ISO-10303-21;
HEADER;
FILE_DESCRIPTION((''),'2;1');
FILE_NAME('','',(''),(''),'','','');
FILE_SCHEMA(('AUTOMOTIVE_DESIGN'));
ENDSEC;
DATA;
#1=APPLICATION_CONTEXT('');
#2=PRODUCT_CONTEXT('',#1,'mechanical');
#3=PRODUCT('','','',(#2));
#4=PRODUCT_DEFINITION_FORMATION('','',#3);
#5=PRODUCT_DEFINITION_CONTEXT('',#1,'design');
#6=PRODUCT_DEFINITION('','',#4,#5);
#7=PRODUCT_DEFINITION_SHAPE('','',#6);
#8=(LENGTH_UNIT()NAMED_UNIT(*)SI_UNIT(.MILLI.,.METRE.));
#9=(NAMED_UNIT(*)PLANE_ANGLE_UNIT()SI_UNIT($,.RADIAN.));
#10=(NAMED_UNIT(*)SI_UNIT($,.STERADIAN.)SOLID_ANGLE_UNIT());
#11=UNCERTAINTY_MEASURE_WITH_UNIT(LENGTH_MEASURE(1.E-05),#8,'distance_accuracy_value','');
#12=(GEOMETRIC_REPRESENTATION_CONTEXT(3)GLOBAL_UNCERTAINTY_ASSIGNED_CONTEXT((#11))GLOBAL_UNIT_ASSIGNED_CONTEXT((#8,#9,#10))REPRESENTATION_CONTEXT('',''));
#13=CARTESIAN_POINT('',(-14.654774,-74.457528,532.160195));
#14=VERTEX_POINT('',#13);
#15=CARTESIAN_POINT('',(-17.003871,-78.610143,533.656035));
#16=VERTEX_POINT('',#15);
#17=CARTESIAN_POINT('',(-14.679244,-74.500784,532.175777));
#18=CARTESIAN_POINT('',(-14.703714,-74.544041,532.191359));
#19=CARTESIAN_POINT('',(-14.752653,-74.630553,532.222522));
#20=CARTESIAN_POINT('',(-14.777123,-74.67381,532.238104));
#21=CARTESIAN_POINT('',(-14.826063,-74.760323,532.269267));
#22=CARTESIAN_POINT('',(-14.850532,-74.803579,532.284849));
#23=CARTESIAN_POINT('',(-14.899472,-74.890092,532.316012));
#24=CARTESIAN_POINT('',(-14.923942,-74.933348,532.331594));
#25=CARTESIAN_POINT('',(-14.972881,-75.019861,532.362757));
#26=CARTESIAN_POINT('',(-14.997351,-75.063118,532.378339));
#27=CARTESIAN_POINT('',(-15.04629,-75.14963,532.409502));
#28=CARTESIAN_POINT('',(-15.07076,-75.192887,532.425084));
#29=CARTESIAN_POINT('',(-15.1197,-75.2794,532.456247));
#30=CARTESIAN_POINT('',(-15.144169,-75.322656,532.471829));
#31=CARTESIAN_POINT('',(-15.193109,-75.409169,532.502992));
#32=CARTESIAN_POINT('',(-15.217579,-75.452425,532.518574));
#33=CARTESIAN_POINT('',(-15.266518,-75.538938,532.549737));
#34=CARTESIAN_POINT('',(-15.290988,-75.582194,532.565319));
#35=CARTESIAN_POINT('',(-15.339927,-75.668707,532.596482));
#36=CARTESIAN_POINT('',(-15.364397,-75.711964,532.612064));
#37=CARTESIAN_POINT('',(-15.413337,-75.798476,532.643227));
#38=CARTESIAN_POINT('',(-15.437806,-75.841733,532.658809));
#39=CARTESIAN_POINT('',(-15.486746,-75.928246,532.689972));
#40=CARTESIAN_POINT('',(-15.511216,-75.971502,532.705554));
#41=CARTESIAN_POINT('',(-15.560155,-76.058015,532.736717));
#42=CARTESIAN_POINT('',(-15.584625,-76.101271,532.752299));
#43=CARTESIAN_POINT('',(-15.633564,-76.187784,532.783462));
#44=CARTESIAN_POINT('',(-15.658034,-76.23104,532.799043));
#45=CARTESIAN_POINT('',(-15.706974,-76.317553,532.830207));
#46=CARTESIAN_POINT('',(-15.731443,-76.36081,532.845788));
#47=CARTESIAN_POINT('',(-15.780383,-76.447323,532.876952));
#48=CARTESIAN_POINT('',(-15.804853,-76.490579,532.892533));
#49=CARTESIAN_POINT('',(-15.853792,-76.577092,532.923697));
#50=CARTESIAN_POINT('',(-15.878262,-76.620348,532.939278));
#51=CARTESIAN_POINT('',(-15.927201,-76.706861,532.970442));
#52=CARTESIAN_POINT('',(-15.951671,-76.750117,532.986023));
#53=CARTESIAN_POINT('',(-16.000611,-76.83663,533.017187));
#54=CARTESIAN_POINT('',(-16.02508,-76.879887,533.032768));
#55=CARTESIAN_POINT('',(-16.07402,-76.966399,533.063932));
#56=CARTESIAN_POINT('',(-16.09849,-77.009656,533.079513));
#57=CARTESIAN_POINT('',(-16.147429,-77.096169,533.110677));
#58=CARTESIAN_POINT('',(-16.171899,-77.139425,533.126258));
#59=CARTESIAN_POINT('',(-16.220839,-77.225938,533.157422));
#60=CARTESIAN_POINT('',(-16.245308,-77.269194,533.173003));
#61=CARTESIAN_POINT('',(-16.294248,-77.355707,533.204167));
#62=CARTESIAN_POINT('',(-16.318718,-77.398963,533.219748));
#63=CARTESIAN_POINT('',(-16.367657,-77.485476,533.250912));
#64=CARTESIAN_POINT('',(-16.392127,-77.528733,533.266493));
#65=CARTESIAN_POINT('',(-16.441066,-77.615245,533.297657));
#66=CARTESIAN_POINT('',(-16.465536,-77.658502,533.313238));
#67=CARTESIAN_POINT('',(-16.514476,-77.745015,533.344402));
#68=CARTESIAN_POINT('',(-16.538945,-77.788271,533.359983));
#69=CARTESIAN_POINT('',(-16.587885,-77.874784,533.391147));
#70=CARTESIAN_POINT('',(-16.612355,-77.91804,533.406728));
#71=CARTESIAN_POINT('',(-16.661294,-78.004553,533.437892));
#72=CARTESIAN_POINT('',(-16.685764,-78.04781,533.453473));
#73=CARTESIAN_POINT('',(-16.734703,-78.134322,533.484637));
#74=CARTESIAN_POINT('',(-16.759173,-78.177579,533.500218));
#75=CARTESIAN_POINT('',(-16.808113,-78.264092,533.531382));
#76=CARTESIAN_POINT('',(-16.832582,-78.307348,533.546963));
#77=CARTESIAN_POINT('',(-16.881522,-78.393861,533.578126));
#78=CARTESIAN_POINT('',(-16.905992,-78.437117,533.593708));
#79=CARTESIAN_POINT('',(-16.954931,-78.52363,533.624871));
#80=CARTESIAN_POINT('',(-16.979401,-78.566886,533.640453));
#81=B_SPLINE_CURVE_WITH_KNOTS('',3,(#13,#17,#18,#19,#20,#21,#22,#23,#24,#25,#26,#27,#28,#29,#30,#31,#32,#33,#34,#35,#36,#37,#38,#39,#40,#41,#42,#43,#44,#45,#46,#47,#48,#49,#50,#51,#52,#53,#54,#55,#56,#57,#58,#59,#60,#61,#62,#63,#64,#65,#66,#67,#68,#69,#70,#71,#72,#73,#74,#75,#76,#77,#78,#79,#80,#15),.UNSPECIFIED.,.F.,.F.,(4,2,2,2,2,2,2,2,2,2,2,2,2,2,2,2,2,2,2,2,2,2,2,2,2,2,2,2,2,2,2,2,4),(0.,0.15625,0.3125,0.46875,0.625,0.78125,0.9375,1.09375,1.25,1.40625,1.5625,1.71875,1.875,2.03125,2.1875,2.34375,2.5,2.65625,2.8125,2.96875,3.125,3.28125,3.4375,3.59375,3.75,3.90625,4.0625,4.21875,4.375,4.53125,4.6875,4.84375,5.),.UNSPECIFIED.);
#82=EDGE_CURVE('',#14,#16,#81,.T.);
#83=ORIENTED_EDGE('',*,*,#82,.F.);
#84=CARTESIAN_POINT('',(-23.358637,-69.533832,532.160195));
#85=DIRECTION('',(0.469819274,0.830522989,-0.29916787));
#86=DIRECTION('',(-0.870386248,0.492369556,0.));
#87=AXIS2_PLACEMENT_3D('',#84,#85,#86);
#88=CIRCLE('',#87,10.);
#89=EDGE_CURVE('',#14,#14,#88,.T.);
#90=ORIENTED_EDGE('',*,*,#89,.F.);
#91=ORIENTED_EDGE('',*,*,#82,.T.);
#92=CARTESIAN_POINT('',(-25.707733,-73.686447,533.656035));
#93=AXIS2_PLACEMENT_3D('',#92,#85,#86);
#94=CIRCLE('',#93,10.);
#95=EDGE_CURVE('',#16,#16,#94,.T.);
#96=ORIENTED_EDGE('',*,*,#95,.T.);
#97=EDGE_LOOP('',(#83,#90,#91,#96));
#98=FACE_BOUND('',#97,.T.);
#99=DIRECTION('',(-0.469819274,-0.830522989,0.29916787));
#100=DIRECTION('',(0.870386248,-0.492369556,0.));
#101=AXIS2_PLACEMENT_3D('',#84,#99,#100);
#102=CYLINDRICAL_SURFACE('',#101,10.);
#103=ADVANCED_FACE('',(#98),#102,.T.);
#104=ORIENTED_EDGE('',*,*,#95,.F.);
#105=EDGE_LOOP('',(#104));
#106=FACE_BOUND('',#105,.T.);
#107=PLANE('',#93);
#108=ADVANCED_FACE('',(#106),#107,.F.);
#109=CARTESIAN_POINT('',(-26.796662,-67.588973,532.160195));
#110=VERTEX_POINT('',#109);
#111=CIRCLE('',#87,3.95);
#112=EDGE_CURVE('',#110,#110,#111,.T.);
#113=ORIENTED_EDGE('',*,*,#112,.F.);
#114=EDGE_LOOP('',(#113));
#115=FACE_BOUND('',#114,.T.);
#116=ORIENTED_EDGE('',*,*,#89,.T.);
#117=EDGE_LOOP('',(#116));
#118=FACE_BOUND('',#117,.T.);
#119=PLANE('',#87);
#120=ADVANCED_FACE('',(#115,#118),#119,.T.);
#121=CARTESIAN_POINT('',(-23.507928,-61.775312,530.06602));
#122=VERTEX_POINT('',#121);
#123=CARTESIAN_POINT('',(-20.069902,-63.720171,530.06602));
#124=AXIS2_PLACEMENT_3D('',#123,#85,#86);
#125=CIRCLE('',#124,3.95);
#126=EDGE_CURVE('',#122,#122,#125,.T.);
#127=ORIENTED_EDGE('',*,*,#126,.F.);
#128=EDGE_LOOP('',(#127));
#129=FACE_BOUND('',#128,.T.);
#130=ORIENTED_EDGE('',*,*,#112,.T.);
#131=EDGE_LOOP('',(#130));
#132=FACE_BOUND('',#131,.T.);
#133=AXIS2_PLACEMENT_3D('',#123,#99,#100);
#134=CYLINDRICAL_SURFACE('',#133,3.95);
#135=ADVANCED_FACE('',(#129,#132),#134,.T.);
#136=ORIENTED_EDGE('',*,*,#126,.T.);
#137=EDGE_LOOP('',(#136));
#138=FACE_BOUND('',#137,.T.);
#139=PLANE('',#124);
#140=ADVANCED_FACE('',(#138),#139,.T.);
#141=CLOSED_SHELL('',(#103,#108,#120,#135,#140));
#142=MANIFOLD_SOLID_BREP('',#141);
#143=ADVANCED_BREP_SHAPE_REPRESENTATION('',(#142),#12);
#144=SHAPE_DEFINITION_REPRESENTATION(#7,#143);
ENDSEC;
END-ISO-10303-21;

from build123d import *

# Parameters (mm, degrees)
SKETCH1_R           = 10
BOSS_EXTRUDE1_DEPTH = 5
SKETCH2_R           = 3.95
BOSS_EXTRUDE2_DEPTH = 7


with BuildPart() as part:
    # Sketch1 → Boss-Extrude1 (new body)
    with BuildSketch(Plane(origin=(-109.434541397, -193.452902775, 69.684877721), x_dir=(0.8794168923998651, -0.46981927431759296, 0.07678397516054071), z_dir=(0.4698192743176199, 0.8305229887778682, -0.29916787025204106))):
        with Locations(Location((52.987730107, -483.544948633, 0), (0, 0, 4.615549401))):
            Circle(SKETCH1_R)
    extrude(amount=BOSS_EXTRUDE1_DEPTH)

    # Sketch2 → Boss-Extrude2 (add)
    with BuildSketch(Plane(origin=(-107.085445025, -189.300287832, 68.18903837), x_dir=(0.879416892399865, -0.4698192743175933, 0.07678397516054022), z_dir=(0.4698192743176201, 0.8305229887778682, -0.2991678702520411))):
        with Locations(Location((52.987730107, -483.544948633, 0), (0, 0, 184.615549401))):
            Circle(SKETCH2_R)
    extrude(amount=BOSS_EXTRUDE2_DEPTH)


solid = part.part
